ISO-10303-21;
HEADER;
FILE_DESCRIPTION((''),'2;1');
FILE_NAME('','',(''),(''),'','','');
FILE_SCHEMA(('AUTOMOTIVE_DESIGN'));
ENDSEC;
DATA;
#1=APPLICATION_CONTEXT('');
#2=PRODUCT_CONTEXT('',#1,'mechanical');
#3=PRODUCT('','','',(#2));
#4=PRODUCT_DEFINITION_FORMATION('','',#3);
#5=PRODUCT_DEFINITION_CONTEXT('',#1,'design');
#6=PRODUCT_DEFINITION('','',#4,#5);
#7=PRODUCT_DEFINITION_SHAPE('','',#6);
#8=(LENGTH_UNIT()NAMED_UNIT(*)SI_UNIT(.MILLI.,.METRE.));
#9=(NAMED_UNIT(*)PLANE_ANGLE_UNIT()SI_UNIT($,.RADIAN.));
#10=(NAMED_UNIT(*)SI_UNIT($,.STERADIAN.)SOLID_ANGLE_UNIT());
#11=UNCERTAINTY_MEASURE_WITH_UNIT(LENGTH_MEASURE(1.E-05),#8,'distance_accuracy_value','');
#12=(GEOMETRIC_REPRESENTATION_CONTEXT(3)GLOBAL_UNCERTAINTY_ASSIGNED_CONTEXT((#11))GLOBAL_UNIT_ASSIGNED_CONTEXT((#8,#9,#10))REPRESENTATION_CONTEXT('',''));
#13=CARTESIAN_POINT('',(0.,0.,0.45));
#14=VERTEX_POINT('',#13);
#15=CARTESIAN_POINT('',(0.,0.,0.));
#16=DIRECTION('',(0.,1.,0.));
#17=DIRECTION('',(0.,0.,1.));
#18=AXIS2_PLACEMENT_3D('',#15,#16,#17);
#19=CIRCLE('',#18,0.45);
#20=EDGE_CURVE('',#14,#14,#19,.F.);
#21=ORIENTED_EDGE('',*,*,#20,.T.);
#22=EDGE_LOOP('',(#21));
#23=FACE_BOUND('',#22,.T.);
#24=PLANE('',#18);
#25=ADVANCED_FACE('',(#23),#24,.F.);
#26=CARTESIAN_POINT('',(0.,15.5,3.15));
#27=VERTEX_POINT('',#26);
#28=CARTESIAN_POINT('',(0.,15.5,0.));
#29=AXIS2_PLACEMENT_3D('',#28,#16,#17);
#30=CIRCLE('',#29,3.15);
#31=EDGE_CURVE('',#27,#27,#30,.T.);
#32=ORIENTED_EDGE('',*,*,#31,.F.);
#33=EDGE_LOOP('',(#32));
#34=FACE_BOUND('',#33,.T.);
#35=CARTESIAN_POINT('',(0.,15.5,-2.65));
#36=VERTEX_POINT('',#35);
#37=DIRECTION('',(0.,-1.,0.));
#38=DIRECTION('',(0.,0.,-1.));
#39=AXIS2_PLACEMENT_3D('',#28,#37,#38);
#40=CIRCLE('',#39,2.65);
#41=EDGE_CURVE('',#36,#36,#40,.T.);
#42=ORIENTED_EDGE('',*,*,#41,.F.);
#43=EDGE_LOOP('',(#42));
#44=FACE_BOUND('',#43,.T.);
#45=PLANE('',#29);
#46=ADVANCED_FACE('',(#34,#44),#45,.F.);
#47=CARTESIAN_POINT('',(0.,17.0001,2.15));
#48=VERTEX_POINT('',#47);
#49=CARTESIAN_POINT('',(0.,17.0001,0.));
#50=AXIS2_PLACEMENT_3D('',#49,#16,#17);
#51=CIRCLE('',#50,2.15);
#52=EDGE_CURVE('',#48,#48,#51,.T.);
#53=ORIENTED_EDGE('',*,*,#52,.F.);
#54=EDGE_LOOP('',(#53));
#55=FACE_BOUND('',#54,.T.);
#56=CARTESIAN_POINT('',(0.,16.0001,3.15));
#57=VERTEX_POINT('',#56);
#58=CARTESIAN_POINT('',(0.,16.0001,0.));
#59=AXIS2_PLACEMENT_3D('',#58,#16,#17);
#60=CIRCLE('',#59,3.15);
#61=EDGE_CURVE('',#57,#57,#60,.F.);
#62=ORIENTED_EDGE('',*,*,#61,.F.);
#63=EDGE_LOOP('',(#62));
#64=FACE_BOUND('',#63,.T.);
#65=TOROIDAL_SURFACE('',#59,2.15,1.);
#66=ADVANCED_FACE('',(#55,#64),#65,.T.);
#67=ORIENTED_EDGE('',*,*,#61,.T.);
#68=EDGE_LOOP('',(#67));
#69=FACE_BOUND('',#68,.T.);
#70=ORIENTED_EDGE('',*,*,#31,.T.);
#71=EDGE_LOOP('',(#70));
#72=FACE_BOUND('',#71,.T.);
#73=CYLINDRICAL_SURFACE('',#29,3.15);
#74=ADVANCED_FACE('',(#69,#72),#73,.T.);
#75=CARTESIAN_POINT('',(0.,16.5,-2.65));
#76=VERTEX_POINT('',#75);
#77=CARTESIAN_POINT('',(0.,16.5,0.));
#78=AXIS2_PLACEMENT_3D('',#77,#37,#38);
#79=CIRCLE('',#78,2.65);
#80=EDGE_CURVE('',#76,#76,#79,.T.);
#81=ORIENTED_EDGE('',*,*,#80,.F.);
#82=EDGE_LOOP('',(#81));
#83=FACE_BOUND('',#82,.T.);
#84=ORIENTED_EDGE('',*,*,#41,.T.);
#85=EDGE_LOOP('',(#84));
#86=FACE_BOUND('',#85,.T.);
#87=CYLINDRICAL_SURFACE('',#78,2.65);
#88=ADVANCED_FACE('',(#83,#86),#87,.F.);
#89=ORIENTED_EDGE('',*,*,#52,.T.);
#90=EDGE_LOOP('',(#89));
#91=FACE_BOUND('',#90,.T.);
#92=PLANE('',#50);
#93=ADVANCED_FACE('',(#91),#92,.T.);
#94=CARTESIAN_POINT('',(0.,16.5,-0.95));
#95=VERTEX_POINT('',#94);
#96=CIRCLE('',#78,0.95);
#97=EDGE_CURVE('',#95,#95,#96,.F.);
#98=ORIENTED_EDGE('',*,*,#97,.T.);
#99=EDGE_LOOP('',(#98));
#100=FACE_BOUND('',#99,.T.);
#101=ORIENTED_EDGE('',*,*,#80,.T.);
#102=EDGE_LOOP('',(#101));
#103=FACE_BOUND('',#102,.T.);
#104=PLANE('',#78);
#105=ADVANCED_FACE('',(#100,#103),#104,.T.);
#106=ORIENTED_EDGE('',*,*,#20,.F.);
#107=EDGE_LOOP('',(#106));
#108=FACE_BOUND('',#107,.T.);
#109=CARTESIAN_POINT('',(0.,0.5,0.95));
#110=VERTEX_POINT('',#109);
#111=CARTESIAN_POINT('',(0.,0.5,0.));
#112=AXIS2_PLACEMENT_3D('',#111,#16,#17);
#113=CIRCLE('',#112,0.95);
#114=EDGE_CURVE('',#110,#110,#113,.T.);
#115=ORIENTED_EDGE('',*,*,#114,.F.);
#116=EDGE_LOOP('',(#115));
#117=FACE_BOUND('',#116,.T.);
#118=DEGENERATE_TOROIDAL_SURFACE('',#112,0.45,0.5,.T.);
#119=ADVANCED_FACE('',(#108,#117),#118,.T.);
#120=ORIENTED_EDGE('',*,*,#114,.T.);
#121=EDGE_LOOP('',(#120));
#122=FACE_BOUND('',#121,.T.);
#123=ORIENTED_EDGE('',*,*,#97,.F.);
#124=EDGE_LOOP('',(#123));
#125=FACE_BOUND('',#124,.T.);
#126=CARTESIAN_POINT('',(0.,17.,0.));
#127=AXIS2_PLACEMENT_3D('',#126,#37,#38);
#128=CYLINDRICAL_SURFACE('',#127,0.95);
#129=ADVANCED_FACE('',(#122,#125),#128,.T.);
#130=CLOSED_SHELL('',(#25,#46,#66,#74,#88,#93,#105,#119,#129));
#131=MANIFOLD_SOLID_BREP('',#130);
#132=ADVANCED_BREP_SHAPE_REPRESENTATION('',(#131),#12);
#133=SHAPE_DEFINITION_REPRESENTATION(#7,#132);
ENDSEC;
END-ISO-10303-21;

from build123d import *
from build123d.topology import SkipClean

# Parameters (mm, degrees)
CROQUIS1_R                   = 0.95
SALIENTE_EXTRUIR1_DEPTH      = 17
SALIENTE_EXTRUIR2_DEPTH      = 0.0001
SALIENTE_EXTRUIR2_DEPTH_BACK = 1.5
CROQUIS2_R                   = 3.15
REDONDEO3_R                  = 0.5
REDONDEO5_R                  = 1
CROQUIS4_R                   = 2.65
CROQUIS4_R_2                 = 0.95
CORTAR_EXTRUIR4_DEPTH        = 1


with BuildPart() as part:
    # Croquis1 → Saliente-Extruir1 (new body)
    with BuildSketch(Plane(origin=(0, 0, 0), x_dir=(1, 0, 0), z_dir=(0, 1, 0))):
        with Locations(Location((0, 0, 0), (0, 0, 270))):
            Circle(CROQUIS1_R)
    extrude(amount=SALIENTE_EXTRUIR1_DEPTH)

    # Croquis2 → Saliente-Extruir2 (add, two sides: drawn at the far end of the back side and taken through both)
    with BuildSketch(Plane(origin=(0, 17, 0), x_dir=(1, 0, 0), z_dir=(0, 1, 0)).offset(-SALIENTE_EXTRUIR2_DEPTH_BACK)):
        with Locations(Location((0, 0, 0), (0, 0, 270))):
            Circle(CROQUIS2_R)
    extrude(amount=SALIENTE_EXTRUIR2_DEPTH + SALIENTE_EXTRUIR2_DEPTH_BACK)

    # Redondeo3
    redondeo3_edges = [part.edges().sort_by_distance(p)[0] for p in [
        (0, 0, -0.95),
    ]]
    fillet(redondeo3_edges, radius=REDONDEO3_R)

    # Redondeo5
    redondeo5_edges = [part.edges().sort_by_distance(p)[0] for p in [
        (0, 17.0001, -3.15),
    ]]
    fillet(redondeo5_edges, radius=REDONDEO5_R)

    # Croquis4 → Cortar-Extruir4 (cut)
    with SkipClean():  # the faces are left unmerged after this step: merging them gives an invalid solid
        with BuildSketch(Plane(origin=(0, 15.5, 0), x_dir=(-1, 0, 0), z_dir=(0, -1, 0))):
            with Locations(Location((0, 0, 0), (0, 0, 90))):
                Circle(CROQUIS4_R)
            with Locations(Location((0, 0, 0), (0, 0, 90))):
                Circle(CROQUIS4_R_2, mode=Mode.SUBTRACT)
        extrude(amount=-CORTAR_EXTRUIR4_DEPTH, mode=Mode.SUBTRACT)


solid = part.part
